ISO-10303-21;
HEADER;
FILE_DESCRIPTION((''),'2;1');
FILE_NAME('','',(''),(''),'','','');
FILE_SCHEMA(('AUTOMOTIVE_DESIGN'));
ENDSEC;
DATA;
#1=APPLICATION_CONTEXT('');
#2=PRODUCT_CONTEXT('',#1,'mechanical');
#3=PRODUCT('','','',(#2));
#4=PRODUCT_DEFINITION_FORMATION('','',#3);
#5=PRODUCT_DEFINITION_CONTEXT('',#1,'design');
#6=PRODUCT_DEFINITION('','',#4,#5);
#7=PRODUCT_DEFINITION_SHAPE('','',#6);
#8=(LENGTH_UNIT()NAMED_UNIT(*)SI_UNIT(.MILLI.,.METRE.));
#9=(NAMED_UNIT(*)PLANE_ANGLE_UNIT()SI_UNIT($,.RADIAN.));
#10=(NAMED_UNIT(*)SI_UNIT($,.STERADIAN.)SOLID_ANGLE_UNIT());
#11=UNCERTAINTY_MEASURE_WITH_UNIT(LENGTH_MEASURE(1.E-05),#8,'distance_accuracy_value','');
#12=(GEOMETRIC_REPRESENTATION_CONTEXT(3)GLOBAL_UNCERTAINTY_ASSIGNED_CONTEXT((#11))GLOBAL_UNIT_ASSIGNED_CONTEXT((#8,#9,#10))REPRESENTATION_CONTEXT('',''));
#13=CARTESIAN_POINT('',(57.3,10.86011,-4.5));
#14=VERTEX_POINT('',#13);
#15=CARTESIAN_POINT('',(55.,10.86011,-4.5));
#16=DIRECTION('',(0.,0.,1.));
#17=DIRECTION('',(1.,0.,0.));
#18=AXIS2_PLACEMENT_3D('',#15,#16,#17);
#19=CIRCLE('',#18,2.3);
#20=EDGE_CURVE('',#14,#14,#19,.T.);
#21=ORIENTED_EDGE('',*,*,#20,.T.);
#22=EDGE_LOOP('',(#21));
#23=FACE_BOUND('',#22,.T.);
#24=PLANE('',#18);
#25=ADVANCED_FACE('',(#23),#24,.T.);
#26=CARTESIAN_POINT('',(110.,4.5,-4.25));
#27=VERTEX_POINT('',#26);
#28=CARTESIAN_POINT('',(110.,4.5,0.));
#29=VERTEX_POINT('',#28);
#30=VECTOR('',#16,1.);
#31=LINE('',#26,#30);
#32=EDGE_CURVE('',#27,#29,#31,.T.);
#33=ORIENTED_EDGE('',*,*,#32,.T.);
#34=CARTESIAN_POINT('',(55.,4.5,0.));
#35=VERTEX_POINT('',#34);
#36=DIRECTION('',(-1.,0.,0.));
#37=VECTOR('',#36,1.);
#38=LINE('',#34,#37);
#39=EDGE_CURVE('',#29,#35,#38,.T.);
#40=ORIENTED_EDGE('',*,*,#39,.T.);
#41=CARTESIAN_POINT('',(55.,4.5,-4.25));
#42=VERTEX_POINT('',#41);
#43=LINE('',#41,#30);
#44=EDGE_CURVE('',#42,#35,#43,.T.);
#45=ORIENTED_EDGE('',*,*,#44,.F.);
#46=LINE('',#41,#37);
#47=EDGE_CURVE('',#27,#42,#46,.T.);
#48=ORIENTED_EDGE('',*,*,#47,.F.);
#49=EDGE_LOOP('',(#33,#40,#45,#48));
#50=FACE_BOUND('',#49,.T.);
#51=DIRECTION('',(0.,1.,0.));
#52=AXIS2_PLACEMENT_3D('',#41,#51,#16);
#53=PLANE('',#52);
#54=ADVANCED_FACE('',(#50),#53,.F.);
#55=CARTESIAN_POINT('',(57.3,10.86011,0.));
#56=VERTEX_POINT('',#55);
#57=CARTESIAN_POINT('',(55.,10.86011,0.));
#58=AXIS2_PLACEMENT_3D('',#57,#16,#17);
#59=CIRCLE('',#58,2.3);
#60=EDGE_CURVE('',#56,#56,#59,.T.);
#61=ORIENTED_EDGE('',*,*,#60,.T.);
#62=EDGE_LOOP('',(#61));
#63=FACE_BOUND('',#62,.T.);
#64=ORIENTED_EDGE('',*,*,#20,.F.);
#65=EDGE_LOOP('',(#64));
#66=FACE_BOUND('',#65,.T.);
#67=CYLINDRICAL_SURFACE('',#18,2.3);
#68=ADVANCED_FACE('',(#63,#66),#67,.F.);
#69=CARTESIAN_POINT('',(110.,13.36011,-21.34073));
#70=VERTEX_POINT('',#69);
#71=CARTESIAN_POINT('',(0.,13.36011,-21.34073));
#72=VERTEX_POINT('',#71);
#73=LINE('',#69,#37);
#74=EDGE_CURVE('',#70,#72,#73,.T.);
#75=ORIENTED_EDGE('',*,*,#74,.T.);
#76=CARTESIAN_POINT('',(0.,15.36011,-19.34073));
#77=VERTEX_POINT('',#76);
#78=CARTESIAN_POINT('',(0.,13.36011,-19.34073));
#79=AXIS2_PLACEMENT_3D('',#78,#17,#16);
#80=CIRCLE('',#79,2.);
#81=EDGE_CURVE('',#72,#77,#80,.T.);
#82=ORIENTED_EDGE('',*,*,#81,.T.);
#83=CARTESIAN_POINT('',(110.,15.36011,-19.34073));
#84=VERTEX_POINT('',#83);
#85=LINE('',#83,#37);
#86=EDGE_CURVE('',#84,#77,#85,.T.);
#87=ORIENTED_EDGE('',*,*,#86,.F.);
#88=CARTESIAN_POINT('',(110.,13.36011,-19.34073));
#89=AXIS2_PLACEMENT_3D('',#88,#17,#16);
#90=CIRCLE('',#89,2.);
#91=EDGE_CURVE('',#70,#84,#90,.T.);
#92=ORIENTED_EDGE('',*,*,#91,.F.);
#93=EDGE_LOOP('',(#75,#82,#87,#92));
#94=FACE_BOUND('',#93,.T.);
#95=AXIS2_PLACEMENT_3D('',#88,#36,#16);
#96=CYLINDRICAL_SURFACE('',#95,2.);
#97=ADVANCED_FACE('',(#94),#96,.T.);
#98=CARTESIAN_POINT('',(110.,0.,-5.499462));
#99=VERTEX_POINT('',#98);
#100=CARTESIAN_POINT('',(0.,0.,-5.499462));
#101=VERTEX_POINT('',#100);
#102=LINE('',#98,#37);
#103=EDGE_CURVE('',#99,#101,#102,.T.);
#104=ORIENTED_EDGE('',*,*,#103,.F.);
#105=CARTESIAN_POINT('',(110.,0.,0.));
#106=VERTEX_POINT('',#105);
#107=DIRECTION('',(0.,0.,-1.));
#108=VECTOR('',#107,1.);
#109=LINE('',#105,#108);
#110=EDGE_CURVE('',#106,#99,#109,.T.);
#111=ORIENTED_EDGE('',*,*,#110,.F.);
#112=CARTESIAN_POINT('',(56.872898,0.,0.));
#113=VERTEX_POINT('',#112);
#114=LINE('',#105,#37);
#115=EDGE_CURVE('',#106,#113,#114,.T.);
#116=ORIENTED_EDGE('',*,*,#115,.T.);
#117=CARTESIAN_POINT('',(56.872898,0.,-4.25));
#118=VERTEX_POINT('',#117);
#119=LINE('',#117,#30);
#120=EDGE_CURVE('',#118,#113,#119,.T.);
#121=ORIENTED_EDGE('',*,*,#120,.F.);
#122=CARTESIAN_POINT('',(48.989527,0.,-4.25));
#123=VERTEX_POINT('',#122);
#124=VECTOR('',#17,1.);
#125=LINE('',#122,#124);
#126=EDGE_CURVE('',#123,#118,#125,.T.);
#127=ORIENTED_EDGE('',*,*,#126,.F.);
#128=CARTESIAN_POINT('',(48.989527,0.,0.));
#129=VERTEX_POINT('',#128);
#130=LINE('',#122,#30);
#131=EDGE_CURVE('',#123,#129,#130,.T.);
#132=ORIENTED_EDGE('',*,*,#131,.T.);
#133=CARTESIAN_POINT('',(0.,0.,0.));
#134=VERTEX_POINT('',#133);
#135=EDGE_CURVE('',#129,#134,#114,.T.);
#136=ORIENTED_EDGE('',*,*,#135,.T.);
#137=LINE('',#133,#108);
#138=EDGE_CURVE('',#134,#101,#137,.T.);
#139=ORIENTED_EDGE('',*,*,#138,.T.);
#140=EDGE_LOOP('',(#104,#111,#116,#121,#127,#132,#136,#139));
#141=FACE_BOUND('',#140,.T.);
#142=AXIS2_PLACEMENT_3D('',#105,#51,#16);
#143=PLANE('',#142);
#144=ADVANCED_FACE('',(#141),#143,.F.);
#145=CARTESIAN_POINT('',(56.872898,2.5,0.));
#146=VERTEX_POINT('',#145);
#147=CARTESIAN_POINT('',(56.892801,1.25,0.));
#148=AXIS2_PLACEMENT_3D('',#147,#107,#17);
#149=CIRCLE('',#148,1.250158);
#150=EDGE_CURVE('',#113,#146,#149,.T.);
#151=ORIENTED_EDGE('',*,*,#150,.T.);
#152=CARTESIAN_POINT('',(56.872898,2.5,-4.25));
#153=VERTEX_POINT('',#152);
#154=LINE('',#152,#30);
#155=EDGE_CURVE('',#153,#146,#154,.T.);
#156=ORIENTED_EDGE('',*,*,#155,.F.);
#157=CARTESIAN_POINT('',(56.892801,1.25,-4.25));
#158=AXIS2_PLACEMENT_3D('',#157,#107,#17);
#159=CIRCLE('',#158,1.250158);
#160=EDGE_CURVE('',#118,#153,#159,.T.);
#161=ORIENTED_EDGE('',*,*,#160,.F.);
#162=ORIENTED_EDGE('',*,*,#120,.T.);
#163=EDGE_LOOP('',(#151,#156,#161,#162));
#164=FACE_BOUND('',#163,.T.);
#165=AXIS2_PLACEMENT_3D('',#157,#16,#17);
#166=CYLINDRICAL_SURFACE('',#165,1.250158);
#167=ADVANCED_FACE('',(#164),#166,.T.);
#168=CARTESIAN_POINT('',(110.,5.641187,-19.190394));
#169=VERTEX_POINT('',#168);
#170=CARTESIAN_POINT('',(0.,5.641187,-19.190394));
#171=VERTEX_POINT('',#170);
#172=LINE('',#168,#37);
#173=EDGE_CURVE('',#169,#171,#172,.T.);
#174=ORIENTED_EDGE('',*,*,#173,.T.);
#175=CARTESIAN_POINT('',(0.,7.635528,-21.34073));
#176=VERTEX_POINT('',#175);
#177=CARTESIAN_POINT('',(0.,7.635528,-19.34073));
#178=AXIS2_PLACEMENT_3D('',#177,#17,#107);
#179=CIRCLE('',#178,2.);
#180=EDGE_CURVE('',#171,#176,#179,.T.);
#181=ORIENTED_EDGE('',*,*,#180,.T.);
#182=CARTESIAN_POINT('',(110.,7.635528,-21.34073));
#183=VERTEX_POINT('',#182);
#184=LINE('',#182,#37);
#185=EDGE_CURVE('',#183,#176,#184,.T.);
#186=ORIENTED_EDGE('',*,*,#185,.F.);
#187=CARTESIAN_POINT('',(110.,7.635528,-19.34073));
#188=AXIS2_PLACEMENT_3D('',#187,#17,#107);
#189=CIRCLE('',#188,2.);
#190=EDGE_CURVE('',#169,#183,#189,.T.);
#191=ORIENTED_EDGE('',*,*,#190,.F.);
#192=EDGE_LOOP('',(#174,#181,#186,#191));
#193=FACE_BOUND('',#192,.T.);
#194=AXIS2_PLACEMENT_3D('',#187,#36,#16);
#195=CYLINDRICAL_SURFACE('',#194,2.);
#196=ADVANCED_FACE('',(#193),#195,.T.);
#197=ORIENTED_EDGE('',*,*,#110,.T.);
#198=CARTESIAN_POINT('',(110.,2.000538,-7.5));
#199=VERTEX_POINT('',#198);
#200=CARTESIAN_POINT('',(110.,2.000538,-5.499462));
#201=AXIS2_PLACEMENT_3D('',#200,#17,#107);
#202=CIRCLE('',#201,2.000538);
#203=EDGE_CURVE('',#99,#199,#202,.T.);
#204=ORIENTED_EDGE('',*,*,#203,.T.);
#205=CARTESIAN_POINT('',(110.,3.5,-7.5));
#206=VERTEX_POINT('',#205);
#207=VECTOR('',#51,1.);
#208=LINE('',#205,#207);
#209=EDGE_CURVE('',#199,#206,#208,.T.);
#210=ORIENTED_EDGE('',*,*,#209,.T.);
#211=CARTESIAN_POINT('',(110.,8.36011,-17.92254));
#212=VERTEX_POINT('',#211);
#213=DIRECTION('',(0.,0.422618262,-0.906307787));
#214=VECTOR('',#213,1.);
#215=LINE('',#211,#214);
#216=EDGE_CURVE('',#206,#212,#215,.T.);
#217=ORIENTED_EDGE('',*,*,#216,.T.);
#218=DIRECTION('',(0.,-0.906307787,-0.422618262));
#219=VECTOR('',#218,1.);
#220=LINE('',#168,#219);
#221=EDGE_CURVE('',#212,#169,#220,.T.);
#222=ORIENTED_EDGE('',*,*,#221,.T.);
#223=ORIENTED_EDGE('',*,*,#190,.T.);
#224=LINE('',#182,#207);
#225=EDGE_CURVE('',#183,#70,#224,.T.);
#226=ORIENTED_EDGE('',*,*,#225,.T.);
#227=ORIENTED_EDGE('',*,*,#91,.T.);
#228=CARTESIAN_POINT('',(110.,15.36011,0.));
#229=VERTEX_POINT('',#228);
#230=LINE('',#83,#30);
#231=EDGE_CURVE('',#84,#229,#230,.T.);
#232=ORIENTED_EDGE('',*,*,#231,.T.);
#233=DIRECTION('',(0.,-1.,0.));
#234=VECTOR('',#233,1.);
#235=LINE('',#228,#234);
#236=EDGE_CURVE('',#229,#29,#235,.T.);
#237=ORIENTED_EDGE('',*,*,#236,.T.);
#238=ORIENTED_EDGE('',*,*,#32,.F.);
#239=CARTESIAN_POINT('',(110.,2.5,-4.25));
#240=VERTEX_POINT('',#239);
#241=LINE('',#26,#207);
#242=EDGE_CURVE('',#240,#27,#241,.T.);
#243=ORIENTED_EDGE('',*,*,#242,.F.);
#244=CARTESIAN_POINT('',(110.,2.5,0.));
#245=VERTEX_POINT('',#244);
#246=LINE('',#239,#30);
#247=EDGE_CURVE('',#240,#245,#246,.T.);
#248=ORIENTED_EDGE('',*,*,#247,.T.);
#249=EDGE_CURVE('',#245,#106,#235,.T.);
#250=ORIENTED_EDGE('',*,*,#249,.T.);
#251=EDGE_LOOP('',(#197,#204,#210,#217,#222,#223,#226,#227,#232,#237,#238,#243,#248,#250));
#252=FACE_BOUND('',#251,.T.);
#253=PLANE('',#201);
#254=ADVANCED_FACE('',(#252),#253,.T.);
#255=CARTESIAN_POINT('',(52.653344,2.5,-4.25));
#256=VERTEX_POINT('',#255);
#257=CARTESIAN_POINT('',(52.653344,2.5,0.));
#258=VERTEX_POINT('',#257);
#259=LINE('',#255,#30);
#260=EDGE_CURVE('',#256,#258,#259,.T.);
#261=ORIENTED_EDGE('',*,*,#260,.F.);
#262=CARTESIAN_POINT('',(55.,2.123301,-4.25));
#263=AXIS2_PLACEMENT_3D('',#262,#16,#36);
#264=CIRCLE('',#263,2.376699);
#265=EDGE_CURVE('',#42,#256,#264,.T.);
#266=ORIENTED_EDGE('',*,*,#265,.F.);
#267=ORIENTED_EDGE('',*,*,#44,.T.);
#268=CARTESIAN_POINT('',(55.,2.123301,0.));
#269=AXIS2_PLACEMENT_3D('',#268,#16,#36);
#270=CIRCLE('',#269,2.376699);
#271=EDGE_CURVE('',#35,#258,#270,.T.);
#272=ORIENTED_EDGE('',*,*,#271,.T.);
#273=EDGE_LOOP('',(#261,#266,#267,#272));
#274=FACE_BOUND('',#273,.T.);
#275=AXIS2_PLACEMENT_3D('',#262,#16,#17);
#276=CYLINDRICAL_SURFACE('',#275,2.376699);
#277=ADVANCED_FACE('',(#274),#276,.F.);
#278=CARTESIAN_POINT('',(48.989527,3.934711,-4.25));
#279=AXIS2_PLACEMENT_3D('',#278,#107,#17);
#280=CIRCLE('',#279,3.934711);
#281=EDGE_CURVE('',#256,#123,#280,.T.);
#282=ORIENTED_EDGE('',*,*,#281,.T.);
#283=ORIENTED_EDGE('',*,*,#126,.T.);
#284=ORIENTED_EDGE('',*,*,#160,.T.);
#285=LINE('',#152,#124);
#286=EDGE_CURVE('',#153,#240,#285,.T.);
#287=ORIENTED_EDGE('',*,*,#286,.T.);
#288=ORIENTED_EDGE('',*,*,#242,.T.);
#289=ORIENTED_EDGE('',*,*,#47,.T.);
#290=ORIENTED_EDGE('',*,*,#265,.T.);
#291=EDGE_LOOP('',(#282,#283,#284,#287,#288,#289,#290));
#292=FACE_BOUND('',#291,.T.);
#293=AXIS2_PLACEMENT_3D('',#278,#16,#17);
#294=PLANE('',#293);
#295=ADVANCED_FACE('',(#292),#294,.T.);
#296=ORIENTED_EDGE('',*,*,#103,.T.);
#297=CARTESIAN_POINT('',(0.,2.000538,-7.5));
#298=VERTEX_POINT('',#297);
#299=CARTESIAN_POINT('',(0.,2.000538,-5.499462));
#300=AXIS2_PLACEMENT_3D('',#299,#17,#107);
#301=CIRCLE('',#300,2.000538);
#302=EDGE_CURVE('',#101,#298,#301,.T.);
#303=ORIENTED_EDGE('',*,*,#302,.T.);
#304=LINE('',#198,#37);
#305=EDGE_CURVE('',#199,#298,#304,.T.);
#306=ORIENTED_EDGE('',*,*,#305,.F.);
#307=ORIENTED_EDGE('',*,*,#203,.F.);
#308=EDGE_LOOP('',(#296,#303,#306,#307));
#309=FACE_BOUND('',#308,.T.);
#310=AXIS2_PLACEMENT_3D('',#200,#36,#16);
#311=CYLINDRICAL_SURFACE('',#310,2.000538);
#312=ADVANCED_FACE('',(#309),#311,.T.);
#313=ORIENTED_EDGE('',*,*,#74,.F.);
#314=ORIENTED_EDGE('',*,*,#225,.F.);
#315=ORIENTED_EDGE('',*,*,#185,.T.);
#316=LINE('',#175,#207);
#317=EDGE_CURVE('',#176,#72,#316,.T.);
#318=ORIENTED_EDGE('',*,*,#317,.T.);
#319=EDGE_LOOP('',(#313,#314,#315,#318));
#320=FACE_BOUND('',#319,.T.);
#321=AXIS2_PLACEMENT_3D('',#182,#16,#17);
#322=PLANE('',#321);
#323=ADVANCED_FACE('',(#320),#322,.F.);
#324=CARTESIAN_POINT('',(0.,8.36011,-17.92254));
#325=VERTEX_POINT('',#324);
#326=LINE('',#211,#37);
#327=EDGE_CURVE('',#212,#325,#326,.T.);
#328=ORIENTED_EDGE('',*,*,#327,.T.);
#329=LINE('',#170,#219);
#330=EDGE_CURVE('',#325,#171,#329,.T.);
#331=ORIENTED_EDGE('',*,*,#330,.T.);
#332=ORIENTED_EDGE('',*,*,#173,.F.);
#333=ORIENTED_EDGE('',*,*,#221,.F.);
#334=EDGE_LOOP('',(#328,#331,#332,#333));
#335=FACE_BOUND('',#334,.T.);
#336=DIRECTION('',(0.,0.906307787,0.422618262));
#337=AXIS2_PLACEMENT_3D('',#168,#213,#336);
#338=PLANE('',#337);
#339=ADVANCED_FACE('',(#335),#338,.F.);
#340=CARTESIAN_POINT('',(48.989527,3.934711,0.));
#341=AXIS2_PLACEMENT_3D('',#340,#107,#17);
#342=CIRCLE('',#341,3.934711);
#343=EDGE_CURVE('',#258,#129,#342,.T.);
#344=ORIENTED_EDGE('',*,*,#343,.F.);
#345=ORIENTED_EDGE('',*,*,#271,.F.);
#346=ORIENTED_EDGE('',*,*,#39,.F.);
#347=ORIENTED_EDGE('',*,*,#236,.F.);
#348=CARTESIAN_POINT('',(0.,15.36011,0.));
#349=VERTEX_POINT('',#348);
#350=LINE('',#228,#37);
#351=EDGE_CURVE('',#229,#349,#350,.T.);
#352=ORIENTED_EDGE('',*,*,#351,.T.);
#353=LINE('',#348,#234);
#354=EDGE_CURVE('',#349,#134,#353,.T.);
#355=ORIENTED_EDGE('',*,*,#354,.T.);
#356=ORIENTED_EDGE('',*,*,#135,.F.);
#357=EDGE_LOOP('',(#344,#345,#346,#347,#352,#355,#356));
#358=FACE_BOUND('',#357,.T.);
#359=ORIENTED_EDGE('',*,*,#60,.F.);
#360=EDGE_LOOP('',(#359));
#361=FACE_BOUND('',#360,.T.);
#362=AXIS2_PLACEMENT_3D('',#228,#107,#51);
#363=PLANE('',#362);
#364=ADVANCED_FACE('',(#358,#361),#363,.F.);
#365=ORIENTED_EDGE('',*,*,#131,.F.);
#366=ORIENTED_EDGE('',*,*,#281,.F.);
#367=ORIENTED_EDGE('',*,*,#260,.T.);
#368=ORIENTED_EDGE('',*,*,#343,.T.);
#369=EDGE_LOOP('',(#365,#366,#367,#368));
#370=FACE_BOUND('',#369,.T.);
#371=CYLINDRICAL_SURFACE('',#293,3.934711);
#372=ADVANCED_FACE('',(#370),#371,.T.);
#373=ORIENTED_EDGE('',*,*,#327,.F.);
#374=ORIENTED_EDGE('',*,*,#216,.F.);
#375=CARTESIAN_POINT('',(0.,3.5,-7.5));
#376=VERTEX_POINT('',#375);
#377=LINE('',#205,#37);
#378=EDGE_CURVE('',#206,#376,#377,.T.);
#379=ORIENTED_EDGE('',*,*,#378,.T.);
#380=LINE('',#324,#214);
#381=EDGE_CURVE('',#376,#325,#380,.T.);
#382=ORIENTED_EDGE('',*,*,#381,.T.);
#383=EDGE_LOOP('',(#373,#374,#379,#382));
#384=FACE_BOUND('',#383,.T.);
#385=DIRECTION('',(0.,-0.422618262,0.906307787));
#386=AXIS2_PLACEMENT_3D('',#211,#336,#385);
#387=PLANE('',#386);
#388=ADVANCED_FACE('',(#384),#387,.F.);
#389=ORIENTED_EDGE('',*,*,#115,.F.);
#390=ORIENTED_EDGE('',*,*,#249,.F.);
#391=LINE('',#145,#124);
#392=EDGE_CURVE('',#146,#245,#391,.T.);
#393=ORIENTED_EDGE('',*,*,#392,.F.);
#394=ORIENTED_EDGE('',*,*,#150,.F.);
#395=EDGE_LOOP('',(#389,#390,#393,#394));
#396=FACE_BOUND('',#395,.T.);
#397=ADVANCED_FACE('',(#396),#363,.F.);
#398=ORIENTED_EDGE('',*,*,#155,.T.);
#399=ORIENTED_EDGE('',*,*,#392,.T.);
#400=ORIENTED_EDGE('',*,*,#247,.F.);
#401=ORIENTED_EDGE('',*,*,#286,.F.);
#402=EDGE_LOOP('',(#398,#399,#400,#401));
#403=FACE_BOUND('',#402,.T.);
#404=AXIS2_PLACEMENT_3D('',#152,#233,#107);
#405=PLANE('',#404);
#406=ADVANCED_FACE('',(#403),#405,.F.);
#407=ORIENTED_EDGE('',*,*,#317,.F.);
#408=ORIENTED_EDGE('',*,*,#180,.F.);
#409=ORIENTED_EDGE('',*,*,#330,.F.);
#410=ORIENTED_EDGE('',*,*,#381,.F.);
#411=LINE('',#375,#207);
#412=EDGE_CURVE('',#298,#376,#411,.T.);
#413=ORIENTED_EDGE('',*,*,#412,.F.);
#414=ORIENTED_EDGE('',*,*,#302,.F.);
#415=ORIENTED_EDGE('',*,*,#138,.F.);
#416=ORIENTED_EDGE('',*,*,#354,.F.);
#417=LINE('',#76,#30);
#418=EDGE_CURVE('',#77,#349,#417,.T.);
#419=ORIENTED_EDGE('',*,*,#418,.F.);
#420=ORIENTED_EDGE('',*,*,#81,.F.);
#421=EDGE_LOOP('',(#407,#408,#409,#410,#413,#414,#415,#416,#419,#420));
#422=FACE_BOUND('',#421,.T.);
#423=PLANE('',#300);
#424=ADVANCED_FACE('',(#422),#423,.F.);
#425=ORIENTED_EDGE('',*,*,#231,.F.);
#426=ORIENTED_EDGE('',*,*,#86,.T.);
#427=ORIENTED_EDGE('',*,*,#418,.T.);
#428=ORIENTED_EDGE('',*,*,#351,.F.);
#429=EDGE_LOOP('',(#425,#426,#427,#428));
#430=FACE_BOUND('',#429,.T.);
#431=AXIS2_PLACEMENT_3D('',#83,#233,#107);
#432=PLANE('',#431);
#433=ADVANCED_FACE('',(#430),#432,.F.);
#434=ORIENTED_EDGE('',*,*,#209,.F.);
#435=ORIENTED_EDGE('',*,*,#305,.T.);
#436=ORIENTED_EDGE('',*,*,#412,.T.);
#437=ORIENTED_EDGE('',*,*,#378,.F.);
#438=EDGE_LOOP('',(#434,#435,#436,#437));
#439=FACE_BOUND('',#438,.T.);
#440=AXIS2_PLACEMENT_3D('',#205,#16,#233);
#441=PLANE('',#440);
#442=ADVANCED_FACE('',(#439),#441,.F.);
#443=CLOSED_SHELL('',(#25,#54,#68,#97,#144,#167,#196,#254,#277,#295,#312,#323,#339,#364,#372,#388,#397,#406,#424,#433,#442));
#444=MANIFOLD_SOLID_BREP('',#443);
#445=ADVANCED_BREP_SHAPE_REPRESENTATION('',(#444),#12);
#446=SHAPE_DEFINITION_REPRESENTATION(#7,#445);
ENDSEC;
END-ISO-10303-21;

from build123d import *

# Parameters (mm, degrees)
PROFILEBOSS_EXTRUDE1_DEPTH      = 110
SKETCH3_R                       = 2.3
MOUNTINGHOLESCUT_EXTRUDE3_DEPTH = 4.5
XAXISCABLECUT_EXTRUDE1_DEPTH    = 4.25


with BuildPart() as part:
    # Sketch1 → ProfileBoss-Extrude1 (new body)
    with BuildSketch(Plane(origin=(0, 0, 0), x_dir=(0, 0, -1), z_dir=(1, 0, 0))):
        with BuildLine():
            Line((0, 0), (5.499461553, 0))
            ThreePointArc((5.499461553, 0), (6.914055855, 0.585944145), (7.5, 2.000538447))
            Line((7.5, 2.000538447), (7.5, 3.5))
            Line((7.5, 3.5), (17.922539551, 8.36011001))
            Line((17.922539551, 8.36011001), (19.190394336, 5.641186649))
            ThreePointArc((19.190394336, 5.641186649), (20.700753359, 6.16912635), (21.340729536, 7.635528477))
            Line((21.340729536, 7.635528477), (21.340729536, 13.36011001))
            ThreePointArc((21.340729536, 13.36011001), (20.754943098, 14.774323572), (19.340729536, 15.36011001))
            Line((19.340729536, 15.36011001), (0, 15.36011001))
            Line((0, 15.36011001), (0, 0))
        make_face()
    extrude(amount=PROFILEBOSS_EXTRUDE1_DEPTH)

    # Sketch3 → MountingHolesCut-Extrude3 (cut)
    with BuildSketch(Plane.XY):
        with Locations((55, 10.86011001)):
            Circle(SKETCH3_R)
    extrude(amount=-MOUNTINGHOLESCUT_EXTRUDE3_DEPTH, mode=Mode.SUBTRACT)

    # Sketch4 → XAxisCableCut-Extrude1 (cut)
    with BuildSketch(Plane.XY):
        with BuildLine():
            Line((55, 4.5), (110, 4.5))
            Line((110, 4.5), (110, 2.5))
            Line((110, 2.5), (56.872897785, 2.5))
            ThreePointArc((56.872897785, 2.5), (55.642642805, 1.25), (56.872897785, 0))
            Line((56.872897785, 0), (48.989527283, 0))
            ThreePointArc((48.989527283, 0), (51.20727122, 0.684547643), (52.653343966, 2.5))
            ThreePointArc((52.653343966, 2.5), (53.458345487, 3.932167796), (55, 4.5))
        make_face()
    extrude(amount=-XAXISCABLECUT_EXTRUDE1_DEPTH, mode=Mode.SUBTRACT)


solid = part.part
